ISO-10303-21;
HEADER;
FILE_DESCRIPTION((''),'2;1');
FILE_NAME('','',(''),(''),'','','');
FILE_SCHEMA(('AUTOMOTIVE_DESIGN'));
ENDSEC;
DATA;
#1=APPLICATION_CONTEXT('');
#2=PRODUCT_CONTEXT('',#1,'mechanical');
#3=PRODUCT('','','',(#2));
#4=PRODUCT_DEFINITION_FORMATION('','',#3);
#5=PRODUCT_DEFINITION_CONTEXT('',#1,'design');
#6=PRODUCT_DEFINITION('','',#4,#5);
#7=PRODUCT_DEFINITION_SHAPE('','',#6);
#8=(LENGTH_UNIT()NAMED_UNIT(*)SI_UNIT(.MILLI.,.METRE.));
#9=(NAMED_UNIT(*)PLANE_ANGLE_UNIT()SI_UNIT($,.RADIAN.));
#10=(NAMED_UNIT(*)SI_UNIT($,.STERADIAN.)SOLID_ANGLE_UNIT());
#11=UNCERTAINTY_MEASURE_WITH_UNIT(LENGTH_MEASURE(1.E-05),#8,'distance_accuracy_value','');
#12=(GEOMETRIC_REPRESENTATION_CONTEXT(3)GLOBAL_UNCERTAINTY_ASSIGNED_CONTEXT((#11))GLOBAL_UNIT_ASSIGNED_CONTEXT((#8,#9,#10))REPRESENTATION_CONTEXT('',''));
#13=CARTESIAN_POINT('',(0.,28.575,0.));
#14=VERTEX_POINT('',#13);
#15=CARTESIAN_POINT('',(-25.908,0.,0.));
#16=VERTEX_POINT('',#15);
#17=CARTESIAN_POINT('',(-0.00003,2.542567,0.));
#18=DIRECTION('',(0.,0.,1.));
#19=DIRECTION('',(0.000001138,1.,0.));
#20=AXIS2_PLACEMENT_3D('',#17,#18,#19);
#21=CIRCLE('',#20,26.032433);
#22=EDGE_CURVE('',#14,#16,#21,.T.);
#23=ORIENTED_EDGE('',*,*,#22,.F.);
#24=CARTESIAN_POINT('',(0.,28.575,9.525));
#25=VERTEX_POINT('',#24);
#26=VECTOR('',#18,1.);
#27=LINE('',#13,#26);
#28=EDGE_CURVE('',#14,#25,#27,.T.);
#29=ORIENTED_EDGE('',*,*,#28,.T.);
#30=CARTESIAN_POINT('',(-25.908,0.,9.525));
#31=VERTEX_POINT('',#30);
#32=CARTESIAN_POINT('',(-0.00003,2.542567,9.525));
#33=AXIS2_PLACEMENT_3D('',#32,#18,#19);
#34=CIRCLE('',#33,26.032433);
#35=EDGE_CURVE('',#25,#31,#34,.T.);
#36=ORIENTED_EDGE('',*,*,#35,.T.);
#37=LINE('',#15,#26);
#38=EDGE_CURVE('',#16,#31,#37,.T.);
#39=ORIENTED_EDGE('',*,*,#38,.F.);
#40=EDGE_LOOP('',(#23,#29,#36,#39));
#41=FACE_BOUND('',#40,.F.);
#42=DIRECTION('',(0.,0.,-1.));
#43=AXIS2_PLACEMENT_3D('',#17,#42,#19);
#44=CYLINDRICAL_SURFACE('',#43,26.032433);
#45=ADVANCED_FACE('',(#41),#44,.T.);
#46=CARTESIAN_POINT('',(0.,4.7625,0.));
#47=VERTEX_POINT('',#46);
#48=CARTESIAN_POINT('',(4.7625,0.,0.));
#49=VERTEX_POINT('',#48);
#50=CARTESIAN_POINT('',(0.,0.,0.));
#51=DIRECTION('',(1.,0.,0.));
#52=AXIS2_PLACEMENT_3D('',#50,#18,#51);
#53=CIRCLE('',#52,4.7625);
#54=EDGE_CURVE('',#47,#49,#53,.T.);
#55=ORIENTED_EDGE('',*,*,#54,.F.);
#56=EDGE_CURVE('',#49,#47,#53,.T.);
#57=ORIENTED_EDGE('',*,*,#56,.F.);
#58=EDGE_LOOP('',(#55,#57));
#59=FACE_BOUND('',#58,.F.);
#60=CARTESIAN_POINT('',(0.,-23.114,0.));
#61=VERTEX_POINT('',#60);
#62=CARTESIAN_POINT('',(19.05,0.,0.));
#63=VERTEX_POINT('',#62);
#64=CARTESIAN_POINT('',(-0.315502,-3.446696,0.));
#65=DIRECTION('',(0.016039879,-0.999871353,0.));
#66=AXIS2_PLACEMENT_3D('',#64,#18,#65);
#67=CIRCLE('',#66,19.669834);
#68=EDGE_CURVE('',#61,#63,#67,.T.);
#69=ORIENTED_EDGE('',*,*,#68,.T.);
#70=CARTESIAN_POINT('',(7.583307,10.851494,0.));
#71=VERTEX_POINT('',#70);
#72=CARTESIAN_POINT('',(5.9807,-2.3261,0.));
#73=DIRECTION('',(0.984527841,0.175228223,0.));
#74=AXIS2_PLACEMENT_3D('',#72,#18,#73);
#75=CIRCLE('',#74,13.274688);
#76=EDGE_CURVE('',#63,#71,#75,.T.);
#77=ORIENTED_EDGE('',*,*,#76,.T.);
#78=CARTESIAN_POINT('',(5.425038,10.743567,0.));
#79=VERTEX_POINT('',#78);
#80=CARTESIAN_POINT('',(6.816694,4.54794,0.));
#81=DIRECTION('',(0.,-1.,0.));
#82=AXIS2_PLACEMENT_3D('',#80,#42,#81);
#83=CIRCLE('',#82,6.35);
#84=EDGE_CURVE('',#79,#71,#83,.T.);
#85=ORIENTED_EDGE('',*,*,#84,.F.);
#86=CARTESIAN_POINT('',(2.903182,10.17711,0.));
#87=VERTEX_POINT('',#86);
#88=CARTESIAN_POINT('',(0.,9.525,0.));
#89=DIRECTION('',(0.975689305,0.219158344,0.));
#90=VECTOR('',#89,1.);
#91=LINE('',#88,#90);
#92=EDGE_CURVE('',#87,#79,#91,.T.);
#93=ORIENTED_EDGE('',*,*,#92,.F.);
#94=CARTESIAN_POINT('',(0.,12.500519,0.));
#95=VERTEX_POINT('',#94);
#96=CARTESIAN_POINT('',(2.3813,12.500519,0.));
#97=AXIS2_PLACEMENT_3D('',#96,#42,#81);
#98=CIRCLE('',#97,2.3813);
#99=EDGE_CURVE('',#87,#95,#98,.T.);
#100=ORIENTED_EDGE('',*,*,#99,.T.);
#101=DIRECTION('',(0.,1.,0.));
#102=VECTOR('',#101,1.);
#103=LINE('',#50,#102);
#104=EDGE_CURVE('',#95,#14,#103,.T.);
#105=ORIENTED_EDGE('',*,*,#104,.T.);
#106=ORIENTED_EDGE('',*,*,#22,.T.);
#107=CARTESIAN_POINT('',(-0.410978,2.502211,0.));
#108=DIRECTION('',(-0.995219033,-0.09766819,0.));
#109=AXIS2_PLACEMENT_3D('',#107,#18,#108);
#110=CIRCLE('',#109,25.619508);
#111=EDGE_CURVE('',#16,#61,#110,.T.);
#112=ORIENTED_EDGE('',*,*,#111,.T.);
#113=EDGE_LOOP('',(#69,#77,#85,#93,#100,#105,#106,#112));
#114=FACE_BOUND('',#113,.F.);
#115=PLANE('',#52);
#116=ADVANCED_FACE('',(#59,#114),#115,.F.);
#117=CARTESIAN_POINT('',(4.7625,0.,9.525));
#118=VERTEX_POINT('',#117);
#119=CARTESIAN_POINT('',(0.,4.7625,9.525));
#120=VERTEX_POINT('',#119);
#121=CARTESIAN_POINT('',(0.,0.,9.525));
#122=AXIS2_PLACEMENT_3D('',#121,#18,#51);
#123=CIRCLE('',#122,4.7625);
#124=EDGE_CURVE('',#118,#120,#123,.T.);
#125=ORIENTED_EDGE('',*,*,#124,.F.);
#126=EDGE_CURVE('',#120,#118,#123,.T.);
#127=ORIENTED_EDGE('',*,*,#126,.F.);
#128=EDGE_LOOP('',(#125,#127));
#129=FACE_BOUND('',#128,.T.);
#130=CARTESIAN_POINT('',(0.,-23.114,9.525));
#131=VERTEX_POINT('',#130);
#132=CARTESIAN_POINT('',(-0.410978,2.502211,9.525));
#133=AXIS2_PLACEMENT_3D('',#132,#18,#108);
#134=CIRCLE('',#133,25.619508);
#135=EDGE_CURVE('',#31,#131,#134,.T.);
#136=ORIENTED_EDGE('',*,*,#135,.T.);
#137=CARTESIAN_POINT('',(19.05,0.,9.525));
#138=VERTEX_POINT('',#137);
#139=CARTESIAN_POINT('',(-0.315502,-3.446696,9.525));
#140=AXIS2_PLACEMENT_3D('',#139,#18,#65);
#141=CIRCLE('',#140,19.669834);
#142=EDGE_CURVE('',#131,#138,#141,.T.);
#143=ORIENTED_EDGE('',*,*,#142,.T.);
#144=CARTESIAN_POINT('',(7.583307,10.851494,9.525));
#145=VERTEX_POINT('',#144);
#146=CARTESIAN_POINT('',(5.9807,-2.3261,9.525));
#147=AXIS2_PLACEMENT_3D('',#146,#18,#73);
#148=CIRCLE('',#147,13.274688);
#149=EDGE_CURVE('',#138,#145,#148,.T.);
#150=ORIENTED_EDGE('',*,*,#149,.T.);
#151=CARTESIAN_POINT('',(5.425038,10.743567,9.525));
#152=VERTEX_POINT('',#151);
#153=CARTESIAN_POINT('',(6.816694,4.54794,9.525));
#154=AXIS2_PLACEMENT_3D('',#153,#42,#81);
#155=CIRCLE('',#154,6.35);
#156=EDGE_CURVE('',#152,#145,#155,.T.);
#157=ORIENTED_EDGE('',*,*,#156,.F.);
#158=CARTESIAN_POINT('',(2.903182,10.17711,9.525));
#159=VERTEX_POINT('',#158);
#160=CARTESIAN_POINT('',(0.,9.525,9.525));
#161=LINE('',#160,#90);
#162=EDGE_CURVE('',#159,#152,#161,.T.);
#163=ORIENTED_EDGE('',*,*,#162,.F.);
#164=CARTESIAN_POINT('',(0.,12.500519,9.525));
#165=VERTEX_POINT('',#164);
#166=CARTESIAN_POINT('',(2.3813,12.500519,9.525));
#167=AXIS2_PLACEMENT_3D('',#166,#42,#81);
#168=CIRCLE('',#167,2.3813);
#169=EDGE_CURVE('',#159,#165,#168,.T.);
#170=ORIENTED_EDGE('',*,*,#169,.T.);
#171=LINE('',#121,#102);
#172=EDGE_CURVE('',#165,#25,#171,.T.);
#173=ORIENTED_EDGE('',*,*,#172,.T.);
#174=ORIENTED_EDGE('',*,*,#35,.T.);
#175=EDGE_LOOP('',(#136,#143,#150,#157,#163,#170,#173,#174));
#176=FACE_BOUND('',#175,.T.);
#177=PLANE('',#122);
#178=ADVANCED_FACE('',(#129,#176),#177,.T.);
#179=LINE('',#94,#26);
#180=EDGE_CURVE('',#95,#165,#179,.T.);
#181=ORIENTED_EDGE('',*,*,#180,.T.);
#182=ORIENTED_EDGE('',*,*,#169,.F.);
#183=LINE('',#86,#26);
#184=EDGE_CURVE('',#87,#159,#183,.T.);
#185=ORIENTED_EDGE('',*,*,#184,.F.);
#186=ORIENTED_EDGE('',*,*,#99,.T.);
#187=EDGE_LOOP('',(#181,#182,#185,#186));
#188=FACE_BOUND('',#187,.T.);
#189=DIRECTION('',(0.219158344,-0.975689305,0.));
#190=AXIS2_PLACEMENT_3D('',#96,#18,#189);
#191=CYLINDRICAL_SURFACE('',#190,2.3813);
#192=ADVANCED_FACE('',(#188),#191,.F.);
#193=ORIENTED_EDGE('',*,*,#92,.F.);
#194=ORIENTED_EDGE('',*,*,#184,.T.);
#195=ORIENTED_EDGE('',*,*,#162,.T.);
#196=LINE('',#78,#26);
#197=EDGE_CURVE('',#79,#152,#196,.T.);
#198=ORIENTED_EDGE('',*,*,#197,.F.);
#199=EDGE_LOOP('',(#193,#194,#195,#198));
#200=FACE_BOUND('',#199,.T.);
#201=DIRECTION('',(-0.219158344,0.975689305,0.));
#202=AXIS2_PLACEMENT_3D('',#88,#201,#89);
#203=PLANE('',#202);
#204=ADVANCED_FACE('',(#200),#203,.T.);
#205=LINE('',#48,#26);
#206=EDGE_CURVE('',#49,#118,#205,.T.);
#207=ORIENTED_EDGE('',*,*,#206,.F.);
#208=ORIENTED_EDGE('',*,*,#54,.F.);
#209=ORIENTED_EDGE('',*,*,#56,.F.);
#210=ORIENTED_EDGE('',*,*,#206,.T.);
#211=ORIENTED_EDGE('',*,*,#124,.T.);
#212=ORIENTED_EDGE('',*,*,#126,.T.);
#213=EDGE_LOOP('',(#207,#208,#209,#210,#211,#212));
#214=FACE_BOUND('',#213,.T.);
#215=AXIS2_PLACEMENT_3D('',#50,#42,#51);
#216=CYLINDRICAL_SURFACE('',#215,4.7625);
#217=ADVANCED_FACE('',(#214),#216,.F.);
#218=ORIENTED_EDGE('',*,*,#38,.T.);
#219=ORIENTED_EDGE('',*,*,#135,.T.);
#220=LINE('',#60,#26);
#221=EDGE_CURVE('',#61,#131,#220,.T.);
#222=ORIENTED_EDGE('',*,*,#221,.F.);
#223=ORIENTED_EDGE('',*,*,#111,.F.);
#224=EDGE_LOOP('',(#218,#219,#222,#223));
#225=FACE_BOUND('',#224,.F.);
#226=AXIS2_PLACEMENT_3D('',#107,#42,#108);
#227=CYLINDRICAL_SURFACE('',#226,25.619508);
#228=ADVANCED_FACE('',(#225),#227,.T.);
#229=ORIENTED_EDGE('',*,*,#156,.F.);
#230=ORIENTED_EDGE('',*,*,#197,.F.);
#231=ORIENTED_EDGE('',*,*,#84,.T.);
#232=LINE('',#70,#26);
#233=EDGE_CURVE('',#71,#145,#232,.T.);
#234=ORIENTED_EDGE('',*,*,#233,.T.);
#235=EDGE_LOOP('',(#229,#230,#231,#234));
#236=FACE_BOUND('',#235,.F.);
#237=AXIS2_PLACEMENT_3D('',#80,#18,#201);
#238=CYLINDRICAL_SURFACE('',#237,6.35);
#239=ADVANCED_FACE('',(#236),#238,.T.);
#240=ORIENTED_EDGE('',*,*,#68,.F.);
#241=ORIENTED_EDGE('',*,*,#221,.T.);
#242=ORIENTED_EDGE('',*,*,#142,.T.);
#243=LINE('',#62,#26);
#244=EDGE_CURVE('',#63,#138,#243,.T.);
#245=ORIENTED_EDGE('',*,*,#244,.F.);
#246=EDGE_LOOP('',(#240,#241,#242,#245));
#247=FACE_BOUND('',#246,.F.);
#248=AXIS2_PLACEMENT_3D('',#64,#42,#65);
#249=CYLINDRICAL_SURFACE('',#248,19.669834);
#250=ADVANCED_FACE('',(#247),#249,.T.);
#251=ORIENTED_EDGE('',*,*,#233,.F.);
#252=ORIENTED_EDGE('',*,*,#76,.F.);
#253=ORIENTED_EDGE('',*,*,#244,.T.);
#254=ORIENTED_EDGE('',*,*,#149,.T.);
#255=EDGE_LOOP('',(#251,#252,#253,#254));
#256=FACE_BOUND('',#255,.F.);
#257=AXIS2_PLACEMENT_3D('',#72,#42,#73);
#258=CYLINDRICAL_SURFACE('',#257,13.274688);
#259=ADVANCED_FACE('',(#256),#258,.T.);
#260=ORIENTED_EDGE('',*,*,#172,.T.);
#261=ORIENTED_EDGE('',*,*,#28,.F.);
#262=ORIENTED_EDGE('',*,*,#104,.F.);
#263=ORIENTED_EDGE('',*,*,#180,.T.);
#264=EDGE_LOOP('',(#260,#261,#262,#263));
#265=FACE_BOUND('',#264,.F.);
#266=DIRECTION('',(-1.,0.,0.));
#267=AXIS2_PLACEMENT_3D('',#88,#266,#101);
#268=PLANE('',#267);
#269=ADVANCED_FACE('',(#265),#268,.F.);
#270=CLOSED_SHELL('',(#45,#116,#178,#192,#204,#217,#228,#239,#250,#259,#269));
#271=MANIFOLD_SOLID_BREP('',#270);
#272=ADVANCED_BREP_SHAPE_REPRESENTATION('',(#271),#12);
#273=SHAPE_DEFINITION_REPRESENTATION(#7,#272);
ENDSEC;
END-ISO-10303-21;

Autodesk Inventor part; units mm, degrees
ref_plane "YZ Plane" through (0, 0, 0) normal (1, 0, 0) x (0, 1, 0)
ref_plane "XZ Plane" through (0, 0, 0) normal (0, 1, 0) x (-1, 0, 0)
ref_plane "XY Plane" through (0, 0, 0) normal (0, 0, 1) x (1, 0, 0)
sketch "Sketch1" plane through (0, 0, 0) normal (1, 0, 0) x (0, 1, 0)
  circle A0 centre (0, 0) radius 9.525
  circle A1 centre (0, 0) radius 28.575
  circle A2 centre (0, 0) radius 4.7625
  circle A3 centre (15.875, 41.275) radius 4.7625
  line L0 (15.875, 41.275) -> (27.6665, 7.4435)
  line L1 (-19.9525, 92.075) -> (-19.9525, 41.275)
  circle A4 centre (15.875, 41.275) radius 35.8275
  line L2 (15.875, 41.275) -> (6.87, 6.5977)
  line L3 (0, 0) -> (0, 75.4256) construction
  line L4 (15.875, 41.275) -> (-18.4298, 139.7)
  line L5 (-26.3025, 92.075) -> (-26.3025, 41.275)
  line L6 (-26.3025, 41.275) -> (-13.6025, 41.275)
  line L7 (-13.6025, 41.275) -> (-13.6025, 92.075)
  line L8 (-13.6025, 92.075) -> (-26.3025, 92.075)
  line L9 (-26.3025, 92.075) -> (-13.6025, 41.275) construction
  line L10 (-26.3025, 41.275) -> (-13.6025, 92.075) construction
  point P0 (-19.9525, 66.675)
  dimension "d0" = 19.05
  dimension "d1" = 19.05
  dimension "d2" = 9.525
  dimension "d3" = 9.525
  dimension "d4" = 15.875
  dimension "d5" = 41.275
  dimension "d6" = 33.772
  dimension "d7" = 50.8
  dimension "d8" = 139.7
  dimension "d9" = 12.7
sketch "Sketch4" plane through (0, 0, 0) normal (0, 0, 1) x (1, 0, 0)
  circle A0 centre (0, 0) radius 9.525
  circle A1 centre (0, 0) radius 4.7625
  circle A2 centre (0, 0) radius 28.575 construction
  line L0 (0, 0) -> (0, 28.575)
  line L1 (0, 0) -> (28.575, 0) construction
  line L2 (0, 0) -> (-28.575, 0) construction
  line L3 (0, 0) -> (0, -28.575) construction
  circle A3 centre (0, 0) radius 19.05 construction
  circle A4 centre (0, 0) radius 23.114 construction
  circle A5 centre (0, 0) radius 25.908 construction
  arc A6 (19.05, 0) -> (0, 9.525) centre (5.9807, -2.3261) ccw
  arc A7 (0, -23.114) -> (19.05, 0) centre (-0.3155, -3.4467) ccw
  arc A8 (-25.908, 0) -> (0, -23.114) centre (-0.411, 2.5022) ccw
  arc A9 (0, 28.575) -> (-25.908, 0) centre (0, 2.5425) ccw
  line L4 (0, 0) -> (9.525, 16.4978) construction
  line L5 (0, 0) -> (19.05, 0) construction
  line L6 (0, 9.525) -> (6.3187, 10.9443)
  dimension "d61" = 19.05
  dimension "d65" = 46.228
  dimension "d66" = 51.816
  dimension "d62" = 9.525
  dimension "d63" = 19.05
  dimension "d64" = 38.1
  dimension "d68" = 30
extrude "Extrusion3" add sketch "Sketch4" along normal blind 9.525 contours A0 | L6 A6 A7 A8 A9 L0
fillet "Fillet1" radius 6.35 1 edges at (6.3187, 10.9443, 4.7625)
fillet "Fillet2" radius 2.3813 1 edges at (0, 9.525, 4.7625)
sketch "Sketch5" plane through (0, 0, 0) normal (0, 0, -1) x (-1, 0, 0)
  line L0 (0, 12.5005) -> (0, 28.575) projected
  circle A0 centre (0, 0) radius 28.575
  dimension "d73" = 57.15
properties part number "Snail Cam"
